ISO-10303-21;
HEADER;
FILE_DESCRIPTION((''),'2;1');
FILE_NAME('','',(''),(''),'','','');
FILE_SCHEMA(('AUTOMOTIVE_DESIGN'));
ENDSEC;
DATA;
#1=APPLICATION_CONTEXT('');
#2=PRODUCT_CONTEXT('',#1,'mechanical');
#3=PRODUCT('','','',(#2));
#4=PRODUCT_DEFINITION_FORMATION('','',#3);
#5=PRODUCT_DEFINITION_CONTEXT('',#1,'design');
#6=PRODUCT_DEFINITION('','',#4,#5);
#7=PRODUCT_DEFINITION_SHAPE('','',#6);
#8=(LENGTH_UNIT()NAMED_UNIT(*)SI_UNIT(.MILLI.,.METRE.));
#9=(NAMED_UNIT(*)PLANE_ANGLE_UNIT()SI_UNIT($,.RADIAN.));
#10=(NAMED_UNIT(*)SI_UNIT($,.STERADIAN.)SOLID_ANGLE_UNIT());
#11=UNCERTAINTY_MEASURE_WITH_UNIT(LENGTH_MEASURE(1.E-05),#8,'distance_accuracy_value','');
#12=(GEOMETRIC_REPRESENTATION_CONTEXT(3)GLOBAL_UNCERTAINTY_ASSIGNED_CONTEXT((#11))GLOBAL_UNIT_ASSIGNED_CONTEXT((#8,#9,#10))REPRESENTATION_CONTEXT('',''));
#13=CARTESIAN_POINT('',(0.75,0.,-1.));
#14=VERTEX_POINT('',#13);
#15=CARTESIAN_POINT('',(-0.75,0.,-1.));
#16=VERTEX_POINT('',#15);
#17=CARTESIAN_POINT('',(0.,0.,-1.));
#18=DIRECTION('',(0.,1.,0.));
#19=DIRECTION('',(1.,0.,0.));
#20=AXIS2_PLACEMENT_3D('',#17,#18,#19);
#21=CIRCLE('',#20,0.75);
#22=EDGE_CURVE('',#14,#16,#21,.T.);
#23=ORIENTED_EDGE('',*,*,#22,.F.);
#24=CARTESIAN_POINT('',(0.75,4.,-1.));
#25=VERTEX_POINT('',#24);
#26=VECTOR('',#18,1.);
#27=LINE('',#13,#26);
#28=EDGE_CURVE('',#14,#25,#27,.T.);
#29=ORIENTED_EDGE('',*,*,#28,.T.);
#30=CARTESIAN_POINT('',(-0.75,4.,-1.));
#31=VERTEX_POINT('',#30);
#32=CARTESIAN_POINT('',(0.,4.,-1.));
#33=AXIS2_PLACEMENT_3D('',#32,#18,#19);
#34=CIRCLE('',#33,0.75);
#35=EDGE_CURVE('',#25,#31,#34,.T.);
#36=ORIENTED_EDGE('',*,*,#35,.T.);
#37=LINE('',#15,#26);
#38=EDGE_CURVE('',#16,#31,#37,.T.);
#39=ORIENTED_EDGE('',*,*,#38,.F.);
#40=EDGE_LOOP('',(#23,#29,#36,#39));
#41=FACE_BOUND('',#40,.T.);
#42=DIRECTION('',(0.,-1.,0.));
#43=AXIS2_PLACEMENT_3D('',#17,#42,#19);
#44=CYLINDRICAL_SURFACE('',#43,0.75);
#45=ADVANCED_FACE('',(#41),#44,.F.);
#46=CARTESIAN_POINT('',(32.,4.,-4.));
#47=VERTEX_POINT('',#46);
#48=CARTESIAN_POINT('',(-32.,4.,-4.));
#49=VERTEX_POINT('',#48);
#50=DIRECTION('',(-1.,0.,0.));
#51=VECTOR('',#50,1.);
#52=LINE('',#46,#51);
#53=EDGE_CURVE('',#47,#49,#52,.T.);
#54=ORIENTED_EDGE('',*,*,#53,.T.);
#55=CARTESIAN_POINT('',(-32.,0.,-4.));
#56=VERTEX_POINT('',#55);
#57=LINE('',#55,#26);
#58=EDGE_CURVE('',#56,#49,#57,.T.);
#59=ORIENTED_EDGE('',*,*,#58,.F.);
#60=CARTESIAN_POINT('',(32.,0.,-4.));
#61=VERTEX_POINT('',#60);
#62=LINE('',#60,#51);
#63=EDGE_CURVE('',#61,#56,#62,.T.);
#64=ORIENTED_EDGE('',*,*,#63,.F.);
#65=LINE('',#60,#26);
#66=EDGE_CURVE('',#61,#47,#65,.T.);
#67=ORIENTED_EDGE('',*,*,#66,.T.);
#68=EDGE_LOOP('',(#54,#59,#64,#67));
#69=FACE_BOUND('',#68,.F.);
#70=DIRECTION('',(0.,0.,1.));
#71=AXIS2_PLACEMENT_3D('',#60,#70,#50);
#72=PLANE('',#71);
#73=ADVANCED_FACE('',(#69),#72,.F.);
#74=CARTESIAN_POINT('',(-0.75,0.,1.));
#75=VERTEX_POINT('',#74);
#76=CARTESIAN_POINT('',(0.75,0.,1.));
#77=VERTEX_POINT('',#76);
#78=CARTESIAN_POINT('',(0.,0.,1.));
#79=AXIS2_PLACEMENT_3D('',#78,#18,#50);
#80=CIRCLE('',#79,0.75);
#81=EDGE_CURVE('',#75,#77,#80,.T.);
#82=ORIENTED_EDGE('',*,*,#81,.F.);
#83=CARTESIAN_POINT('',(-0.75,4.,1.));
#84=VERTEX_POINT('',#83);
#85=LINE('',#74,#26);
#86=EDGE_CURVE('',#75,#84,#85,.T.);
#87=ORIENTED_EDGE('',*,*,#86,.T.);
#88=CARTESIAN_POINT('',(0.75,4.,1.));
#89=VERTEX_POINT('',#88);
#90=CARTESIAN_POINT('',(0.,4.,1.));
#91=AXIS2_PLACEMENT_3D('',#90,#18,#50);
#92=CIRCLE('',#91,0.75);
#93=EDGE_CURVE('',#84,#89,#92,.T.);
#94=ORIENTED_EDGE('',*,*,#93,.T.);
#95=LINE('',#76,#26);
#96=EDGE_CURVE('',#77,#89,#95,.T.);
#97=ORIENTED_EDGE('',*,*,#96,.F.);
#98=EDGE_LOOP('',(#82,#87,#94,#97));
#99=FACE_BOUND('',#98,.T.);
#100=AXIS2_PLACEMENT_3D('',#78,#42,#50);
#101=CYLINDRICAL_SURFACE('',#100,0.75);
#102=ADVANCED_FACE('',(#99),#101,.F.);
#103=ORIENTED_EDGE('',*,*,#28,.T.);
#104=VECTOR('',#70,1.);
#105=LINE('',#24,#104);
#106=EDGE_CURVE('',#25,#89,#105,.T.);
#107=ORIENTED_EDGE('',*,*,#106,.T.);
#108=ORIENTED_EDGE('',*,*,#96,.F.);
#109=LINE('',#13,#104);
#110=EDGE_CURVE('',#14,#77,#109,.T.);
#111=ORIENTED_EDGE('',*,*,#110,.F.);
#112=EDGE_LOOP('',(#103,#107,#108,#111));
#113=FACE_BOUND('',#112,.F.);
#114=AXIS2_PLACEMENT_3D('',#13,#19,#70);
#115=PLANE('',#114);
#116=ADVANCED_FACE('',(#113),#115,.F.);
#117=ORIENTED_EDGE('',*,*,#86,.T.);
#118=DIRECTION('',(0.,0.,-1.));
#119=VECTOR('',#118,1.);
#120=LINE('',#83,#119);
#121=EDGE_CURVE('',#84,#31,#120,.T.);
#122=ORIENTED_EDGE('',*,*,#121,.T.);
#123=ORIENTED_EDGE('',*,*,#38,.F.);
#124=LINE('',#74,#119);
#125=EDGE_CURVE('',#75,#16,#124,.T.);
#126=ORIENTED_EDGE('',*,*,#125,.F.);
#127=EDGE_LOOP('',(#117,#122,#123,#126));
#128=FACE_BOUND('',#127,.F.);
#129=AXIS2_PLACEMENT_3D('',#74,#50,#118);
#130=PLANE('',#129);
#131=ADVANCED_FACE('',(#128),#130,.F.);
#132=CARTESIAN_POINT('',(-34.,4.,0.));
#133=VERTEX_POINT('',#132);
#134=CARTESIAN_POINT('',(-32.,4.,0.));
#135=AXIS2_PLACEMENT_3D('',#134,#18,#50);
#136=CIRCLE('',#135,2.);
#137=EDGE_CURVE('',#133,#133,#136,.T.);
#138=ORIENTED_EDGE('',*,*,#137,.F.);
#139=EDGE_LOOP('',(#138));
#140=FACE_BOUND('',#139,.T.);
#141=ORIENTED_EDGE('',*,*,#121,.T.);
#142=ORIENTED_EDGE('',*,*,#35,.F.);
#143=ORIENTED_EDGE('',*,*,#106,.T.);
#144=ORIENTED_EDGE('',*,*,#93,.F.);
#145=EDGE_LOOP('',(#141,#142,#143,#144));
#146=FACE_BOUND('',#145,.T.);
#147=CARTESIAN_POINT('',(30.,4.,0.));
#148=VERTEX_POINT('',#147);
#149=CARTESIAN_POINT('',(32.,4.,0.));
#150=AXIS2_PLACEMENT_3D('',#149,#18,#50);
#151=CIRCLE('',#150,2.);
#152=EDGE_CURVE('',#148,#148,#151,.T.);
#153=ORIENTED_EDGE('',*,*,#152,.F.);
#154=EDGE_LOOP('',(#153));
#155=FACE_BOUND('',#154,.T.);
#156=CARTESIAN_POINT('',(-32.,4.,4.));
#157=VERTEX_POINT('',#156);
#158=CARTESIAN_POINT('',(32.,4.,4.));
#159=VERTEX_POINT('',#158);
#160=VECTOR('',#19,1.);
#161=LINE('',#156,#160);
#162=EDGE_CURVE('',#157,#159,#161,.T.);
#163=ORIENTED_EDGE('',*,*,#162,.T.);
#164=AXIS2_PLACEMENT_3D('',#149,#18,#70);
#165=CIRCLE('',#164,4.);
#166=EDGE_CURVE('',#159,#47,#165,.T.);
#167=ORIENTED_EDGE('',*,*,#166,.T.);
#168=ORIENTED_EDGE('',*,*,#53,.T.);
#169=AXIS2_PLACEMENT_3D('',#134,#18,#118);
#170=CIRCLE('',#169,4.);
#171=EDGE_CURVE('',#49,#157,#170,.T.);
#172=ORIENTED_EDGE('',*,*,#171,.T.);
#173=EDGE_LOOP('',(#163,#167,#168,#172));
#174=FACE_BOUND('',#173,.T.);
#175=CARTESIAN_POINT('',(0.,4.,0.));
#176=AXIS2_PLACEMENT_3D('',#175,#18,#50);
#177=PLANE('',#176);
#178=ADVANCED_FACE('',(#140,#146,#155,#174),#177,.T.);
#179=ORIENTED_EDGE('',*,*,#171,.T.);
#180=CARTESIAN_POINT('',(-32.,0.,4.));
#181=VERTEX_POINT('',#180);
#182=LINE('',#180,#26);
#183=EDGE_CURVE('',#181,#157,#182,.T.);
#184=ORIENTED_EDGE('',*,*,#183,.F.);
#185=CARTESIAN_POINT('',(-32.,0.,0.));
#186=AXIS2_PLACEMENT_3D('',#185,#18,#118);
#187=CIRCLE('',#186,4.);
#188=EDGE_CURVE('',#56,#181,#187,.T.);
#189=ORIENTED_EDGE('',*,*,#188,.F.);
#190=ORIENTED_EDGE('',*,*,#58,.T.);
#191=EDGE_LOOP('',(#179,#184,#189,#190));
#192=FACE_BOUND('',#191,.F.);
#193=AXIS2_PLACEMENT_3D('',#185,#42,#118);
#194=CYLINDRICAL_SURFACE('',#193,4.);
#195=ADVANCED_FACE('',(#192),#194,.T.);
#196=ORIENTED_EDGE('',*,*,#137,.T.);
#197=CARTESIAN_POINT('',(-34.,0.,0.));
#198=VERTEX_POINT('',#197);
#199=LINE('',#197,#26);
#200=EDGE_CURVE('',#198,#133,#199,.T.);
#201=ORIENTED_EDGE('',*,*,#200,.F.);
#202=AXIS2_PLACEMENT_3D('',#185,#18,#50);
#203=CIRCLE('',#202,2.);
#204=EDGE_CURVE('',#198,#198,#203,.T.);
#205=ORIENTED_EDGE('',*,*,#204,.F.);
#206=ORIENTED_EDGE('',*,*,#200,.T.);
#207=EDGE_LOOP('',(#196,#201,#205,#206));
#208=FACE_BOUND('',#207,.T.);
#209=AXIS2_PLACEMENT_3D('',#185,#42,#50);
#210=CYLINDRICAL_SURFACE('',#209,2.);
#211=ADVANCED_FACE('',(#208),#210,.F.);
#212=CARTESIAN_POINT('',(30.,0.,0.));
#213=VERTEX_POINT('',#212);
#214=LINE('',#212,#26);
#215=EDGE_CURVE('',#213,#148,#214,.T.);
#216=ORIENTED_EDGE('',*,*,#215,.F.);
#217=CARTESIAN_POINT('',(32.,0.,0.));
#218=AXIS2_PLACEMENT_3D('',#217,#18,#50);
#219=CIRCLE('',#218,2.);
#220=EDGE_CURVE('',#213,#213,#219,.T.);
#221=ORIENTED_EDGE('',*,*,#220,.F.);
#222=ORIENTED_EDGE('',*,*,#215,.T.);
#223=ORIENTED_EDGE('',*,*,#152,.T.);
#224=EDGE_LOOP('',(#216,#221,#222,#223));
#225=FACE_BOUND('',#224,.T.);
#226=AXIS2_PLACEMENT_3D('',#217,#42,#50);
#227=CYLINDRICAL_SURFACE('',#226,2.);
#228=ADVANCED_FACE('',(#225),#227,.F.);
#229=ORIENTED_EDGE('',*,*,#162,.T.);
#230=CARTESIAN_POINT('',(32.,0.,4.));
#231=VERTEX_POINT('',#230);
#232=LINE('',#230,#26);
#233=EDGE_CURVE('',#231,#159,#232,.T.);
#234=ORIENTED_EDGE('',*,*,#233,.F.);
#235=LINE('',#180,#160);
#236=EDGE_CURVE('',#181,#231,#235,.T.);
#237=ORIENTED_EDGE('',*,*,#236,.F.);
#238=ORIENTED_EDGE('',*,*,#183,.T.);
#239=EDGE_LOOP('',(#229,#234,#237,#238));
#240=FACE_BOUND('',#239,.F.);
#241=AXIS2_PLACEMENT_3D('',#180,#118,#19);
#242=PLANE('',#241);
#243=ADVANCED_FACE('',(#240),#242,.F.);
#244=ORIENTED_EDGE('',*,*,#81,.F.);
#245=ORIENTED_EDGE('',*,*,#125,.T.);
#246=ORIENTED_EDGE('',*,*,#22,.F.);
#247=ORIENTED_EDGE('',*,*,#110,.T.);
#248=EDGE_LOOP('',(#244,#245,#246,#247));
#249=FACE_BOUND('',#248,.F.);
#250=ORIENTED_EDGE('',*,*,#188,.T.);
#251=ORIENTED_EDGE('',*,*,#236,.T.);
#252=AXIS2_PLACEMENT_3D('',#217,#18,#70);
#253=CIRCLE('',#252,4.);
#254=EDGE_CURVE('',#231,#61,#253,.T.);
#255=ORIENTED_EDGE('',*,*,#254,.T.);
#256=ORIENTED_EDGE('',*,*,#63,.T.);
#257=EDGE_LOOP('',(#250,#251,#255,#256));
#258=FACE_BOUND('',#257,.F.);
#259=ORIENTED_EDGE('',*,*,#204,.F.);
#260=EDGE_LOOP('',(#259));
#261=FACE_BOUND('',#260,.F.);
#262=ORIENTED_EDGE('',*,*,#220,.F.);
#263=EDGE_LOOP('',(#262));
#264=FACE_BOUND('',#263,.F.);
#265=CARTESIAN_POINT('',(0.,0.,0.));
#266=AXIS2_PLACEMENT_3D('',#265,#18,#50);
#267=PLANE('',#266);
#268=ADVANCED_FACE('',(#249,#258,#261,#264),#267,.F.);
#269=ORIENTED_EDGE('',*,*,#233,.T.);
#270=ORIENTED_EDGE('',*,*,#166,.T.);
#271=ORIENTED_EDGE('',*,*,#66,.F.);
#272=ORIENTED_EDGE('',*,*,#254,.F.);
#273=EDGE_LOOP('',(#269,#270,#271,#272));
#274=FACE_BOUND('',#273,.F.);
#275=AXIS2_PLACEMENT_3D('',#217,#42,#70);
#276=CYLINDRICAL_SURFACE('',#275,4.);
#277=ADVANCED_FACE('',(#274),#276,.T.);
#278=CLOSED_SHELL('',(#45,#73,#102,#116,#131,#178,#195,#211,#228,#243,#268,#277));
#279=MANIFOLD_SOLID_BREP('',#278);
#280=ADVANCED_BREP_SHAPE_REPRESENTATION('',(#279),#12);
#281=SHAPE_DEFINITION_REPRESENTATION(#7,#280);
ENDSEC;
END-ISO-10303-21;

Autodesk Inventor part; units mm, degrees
ref_plane "YZ Plane" through (0, 0, 0) normal (1, 0, 0) x (0, 1, 0)
ref_plane "XZ Plane" through (0, 0, 0) normal (0, 1, 0) x (-1, 0, 0)
ref_plane "XY Plane" through (0, 0, 0) normal (0, 0, 1) x (1, 0, 0)
sketch "Sketch1" plane through (0, 0, 0) normal (0, 1, 0) x (-1, 0, 0)
  circle A0 centre (-32, 0) radius 2
  circle A1 centre (32, 0) radius 2
  line L0 (32, 4) -> (-32, 4)
  line L1 (-32, -4) -> (32, -4)
  arc A2 (32, -4) -> (32, 4) centre (32, 0) ccw
  arc A3 (-32, 4) -> (-32, -4) centre (-32, 0) ccw
  line L2 (-0.75, -1) -> (-0.75, 1)
  line L3 (0.75, 1) -> (0.75, -1)
  line L4 (0.75, -1) -> (-0.75, 1) construction
  line L5 (-0.75, -1) -> (0.75, 1) construction
  arc A4 (0.75, 1) -> (-0.75, 1) centre (0, 1) ccw
  arc A5 (-0.75, -1) -> (0.75, -1) centre (0, -1) ccw
  point P0 (0, 0)
  dimension "d229" = 32
  dimension "d231" = 32
  dimension "d232" = 4
  dimension "d233" = 4
  dimension "d235" = 8
  dimension "d238" = 2
  dimension "d239" = 2
  dimension "d242" = 1.5
  dimension "d243" = 2
extrude "Extrusion1" add sketch "Sketch1" along normal blind 4
properties part number "Langbektang houder"
